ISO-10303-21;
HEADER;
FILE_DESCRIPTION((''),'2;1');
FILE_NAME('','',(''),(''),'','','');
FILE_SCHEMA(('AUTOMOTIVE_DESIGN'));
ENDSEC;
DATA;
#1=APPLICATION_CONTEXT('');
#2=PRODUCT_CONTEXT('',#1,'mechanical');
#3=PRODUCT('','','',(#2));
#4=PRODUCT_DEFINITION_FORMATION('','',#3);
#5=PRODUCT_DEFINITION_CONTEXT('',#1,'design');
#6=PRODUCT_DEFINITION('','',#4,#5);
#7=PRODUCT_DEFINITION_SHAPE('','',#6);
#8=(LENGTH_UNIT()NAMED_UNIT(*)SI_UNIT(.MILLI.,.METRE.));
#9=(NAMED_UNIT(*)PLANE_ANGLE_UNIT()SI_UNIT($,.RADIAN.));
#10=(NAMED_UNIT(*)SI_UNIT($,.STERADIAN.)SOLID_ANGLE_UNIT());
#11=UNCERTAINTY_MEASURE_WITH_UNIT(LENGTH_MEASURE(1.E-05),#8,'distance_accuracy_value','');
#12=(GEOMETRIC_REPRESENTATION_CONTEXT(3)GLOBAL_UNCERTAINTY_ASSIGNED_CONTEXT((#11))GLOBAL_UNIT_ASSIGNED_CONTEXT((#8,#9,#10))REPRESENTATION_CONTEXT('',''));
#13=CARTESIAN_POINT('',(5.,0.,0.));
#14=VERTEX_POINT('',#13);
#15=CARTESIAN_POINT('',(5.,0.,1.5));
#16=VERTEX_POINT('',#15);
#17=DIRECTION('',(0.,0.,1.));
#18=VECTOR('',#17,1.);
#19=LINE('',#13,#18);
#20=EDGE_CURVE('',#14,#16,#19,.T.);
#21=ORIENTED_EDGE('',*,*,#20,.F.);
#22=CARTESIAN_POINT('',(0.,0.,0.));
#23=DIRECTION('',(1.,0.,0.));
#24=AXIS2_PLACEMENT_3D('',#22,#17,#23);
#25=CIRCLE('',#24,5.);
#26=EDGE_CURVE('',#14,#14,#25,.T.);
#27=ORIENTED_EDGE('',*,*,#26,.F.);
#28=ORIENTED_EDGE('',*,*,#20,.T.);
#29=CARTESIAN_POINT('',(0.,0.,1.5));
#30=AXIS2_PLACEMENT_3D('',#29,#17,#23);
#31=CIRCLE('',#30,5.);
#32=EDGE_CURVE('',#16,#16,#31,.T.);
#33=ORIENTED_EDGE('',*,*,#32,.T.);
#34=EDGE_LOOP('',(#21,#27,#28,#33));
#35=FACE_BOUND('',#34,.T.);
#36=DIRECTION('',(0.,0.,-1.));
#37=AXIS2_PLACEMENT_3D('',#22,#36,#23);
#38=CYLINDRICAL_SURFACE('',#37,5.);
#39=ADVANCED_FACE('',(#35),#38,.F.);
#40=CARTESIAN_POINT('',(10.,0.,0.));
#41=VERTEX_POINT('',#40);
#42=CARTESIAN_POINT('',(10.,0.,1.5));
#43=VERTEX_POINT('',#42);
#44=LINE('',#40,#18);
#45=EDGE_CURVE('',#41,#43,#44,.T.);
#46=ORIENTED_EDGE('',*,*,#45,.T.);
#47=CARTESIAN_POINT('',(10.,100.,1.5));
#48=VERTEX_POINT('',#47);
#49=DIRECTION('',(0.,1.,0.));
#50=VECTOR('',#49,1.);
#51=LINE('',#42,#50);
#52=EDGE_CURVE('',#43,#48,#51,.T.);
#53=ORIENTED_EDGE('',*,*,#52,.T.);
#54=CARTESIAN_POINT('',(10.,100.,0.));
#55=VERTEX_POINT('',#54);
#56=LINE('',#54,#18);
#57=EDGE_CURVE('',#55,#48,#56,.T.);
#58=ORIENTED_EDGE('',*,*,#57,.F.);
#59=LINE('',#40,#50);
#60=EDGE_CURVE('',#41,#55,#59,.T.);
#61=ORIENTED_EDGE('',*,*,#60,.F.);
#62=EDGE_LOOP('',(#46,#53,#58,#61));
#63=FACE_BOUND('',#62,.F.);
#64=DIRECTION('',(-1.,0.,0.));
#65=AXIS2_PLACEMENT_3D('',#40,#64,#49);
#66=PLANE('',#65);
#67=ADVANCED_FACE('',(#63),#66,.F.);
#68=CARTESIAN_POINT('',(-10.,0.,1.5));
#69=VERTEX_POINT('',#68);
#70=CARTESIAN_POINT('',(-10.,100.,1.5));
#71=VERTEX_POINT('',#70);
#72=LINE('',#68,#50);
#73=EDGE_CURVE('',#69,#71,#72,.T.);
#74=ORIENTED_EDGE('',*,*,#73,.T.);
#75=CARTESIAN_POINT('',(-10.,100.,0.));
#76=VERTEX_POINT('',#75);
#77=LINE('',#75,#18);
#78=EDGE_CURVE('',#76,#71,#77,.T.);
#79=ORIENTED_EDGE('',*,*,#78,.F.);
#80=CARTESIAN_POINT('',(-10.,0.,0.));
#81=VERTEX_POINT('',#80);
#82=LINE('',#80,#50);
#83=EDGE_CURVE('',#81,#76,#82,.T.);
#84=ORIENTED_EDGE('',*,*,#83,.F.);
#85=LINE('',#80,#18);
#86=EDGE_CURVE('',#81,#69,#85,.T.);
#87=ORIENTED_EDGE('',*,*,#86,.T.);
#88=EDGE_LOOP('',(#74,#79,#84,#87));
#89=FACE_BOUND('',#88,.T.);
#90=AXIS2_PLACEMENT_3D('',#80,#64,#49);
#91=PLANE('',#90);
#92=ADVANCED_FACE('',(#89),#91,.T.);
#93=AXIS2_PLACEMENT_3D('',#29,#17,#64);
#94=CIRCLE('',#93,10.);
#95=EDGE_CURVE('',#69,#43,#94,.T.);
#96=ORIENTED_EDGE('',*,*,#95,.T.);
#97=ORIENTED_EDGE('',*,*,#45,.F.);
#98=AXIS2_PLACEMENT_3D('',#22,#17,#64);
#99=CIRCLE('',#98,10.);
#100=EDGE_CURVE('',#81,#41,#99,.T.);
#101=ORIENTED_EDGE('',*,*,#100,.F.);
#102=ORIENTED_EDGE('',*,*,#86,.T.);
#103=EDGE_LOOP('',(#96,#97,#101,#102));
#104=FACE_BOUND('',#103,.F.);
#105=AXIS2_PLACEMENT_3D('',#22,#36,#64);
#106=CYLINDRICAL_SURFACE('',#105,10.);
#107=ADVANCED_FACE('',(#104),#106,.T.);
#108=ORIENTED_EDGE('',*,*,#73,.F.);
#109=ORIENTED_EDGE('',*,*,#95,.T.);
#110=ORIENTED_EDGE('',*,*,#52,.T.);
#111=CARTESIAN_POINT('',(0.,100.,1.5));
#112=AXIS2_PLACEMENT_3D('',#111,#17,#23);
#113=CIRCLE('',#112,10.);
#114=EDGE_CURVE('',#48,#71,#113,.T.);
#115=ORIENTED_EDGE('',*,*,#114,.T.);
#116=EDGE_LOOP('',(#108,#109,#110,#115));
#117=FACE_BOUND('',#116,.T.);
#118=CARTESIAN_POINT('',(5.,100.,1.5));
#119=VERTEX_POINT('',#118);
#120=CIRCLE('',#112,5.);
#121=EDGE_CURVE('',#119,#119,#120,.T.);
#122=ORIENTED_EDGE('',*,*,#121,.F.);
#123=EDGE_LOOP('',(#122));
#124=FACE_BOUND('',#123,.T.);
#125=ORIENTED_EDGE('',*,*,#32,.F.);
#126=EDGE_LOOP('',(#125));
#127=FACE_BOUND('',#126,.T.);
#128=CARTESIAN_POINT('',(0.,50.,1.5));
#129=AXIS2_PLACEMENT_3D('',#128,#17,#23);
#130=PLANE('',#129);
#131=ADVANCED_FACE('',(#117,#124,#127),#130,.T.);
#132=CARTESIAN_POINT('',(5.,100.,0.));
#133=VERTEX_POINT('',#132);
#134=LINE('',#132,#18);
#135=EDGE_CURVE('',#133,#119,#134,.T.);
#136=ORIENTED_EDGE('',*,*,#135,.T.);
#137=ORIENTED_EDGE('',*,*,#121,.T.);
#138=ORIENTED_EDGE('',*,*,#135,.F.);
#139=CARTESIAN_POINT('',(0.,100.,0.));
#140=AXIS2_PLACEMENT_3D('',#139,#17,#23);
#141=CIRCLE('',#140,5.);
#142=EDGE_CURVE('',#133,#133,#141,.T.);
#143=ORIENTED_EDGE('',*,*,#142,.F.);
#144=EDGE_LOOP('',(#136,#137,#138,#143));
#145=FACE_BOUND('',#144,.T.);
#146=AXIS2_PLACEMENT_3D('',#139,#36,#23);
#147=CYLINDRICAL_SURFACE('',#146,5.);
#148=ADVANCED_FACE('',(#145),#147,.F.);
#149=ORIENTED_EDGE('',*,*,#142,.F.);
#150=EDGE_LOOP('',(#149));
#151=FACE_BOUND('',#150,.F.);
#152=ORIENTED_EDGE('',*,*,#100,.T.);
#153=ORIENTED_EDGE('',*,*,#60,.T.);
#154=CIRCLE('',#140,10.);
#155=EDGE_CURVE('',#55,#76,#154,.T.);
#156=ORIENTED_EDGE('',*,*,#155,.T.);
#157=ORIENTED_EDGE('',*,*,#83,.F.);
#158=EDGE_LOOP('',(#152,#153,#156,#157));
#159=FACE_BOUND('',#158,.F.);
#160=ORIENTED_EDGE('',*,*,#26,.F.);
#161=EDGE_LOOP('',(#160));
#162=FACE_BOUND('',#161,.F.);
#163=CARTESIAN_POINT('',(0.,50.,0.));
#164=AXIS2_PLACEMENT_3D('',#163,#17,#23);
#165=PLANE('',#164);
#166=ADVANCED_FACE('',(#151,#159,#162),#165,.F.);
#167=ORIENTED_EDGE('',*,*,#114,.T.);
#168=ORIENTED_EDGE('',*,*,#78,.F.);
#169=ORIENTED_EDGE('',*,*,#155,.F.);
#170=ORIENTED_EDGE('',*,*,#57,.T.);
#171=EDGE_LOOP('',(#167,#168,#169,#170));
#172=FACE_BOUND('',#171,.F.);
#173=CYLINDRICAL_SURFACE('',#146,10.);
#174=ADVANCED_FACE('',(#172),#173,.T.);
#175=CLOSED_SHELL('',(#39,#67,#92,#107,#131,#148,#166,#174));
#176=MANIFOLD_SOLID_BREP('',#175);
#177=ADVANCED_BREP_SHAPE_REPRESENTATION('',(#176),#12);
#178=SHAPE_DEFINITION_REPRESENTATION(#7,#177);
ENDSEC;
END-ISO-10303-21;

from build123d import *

# Parameters (mm, degrees)
SKETCH_R  = 5
PAD_DEPTH = 1.5


with BuildPart() as part:
    # Sketch → Pad (new body)
    with BuildSketch(Plane.XY):
        with BuildLine():
            ThreePointArc((-10, 0), (0, -10), (10, 0))
            Line((10, 0), (10, 100))
            ThreePointArc((10, 100), (0, 110), (-10, 100))
            Line((-10, 0), (-10, 100))
        make_face()
        Circle(SKETCH_R, mode=Mode.SUBTRACT)
        with Locations((0, 100)):
            Circle(SKETCH_R, mode=Mode.SUBTRACT)
    extrude(amount=PAD_DEPTH)


solid = part.part
